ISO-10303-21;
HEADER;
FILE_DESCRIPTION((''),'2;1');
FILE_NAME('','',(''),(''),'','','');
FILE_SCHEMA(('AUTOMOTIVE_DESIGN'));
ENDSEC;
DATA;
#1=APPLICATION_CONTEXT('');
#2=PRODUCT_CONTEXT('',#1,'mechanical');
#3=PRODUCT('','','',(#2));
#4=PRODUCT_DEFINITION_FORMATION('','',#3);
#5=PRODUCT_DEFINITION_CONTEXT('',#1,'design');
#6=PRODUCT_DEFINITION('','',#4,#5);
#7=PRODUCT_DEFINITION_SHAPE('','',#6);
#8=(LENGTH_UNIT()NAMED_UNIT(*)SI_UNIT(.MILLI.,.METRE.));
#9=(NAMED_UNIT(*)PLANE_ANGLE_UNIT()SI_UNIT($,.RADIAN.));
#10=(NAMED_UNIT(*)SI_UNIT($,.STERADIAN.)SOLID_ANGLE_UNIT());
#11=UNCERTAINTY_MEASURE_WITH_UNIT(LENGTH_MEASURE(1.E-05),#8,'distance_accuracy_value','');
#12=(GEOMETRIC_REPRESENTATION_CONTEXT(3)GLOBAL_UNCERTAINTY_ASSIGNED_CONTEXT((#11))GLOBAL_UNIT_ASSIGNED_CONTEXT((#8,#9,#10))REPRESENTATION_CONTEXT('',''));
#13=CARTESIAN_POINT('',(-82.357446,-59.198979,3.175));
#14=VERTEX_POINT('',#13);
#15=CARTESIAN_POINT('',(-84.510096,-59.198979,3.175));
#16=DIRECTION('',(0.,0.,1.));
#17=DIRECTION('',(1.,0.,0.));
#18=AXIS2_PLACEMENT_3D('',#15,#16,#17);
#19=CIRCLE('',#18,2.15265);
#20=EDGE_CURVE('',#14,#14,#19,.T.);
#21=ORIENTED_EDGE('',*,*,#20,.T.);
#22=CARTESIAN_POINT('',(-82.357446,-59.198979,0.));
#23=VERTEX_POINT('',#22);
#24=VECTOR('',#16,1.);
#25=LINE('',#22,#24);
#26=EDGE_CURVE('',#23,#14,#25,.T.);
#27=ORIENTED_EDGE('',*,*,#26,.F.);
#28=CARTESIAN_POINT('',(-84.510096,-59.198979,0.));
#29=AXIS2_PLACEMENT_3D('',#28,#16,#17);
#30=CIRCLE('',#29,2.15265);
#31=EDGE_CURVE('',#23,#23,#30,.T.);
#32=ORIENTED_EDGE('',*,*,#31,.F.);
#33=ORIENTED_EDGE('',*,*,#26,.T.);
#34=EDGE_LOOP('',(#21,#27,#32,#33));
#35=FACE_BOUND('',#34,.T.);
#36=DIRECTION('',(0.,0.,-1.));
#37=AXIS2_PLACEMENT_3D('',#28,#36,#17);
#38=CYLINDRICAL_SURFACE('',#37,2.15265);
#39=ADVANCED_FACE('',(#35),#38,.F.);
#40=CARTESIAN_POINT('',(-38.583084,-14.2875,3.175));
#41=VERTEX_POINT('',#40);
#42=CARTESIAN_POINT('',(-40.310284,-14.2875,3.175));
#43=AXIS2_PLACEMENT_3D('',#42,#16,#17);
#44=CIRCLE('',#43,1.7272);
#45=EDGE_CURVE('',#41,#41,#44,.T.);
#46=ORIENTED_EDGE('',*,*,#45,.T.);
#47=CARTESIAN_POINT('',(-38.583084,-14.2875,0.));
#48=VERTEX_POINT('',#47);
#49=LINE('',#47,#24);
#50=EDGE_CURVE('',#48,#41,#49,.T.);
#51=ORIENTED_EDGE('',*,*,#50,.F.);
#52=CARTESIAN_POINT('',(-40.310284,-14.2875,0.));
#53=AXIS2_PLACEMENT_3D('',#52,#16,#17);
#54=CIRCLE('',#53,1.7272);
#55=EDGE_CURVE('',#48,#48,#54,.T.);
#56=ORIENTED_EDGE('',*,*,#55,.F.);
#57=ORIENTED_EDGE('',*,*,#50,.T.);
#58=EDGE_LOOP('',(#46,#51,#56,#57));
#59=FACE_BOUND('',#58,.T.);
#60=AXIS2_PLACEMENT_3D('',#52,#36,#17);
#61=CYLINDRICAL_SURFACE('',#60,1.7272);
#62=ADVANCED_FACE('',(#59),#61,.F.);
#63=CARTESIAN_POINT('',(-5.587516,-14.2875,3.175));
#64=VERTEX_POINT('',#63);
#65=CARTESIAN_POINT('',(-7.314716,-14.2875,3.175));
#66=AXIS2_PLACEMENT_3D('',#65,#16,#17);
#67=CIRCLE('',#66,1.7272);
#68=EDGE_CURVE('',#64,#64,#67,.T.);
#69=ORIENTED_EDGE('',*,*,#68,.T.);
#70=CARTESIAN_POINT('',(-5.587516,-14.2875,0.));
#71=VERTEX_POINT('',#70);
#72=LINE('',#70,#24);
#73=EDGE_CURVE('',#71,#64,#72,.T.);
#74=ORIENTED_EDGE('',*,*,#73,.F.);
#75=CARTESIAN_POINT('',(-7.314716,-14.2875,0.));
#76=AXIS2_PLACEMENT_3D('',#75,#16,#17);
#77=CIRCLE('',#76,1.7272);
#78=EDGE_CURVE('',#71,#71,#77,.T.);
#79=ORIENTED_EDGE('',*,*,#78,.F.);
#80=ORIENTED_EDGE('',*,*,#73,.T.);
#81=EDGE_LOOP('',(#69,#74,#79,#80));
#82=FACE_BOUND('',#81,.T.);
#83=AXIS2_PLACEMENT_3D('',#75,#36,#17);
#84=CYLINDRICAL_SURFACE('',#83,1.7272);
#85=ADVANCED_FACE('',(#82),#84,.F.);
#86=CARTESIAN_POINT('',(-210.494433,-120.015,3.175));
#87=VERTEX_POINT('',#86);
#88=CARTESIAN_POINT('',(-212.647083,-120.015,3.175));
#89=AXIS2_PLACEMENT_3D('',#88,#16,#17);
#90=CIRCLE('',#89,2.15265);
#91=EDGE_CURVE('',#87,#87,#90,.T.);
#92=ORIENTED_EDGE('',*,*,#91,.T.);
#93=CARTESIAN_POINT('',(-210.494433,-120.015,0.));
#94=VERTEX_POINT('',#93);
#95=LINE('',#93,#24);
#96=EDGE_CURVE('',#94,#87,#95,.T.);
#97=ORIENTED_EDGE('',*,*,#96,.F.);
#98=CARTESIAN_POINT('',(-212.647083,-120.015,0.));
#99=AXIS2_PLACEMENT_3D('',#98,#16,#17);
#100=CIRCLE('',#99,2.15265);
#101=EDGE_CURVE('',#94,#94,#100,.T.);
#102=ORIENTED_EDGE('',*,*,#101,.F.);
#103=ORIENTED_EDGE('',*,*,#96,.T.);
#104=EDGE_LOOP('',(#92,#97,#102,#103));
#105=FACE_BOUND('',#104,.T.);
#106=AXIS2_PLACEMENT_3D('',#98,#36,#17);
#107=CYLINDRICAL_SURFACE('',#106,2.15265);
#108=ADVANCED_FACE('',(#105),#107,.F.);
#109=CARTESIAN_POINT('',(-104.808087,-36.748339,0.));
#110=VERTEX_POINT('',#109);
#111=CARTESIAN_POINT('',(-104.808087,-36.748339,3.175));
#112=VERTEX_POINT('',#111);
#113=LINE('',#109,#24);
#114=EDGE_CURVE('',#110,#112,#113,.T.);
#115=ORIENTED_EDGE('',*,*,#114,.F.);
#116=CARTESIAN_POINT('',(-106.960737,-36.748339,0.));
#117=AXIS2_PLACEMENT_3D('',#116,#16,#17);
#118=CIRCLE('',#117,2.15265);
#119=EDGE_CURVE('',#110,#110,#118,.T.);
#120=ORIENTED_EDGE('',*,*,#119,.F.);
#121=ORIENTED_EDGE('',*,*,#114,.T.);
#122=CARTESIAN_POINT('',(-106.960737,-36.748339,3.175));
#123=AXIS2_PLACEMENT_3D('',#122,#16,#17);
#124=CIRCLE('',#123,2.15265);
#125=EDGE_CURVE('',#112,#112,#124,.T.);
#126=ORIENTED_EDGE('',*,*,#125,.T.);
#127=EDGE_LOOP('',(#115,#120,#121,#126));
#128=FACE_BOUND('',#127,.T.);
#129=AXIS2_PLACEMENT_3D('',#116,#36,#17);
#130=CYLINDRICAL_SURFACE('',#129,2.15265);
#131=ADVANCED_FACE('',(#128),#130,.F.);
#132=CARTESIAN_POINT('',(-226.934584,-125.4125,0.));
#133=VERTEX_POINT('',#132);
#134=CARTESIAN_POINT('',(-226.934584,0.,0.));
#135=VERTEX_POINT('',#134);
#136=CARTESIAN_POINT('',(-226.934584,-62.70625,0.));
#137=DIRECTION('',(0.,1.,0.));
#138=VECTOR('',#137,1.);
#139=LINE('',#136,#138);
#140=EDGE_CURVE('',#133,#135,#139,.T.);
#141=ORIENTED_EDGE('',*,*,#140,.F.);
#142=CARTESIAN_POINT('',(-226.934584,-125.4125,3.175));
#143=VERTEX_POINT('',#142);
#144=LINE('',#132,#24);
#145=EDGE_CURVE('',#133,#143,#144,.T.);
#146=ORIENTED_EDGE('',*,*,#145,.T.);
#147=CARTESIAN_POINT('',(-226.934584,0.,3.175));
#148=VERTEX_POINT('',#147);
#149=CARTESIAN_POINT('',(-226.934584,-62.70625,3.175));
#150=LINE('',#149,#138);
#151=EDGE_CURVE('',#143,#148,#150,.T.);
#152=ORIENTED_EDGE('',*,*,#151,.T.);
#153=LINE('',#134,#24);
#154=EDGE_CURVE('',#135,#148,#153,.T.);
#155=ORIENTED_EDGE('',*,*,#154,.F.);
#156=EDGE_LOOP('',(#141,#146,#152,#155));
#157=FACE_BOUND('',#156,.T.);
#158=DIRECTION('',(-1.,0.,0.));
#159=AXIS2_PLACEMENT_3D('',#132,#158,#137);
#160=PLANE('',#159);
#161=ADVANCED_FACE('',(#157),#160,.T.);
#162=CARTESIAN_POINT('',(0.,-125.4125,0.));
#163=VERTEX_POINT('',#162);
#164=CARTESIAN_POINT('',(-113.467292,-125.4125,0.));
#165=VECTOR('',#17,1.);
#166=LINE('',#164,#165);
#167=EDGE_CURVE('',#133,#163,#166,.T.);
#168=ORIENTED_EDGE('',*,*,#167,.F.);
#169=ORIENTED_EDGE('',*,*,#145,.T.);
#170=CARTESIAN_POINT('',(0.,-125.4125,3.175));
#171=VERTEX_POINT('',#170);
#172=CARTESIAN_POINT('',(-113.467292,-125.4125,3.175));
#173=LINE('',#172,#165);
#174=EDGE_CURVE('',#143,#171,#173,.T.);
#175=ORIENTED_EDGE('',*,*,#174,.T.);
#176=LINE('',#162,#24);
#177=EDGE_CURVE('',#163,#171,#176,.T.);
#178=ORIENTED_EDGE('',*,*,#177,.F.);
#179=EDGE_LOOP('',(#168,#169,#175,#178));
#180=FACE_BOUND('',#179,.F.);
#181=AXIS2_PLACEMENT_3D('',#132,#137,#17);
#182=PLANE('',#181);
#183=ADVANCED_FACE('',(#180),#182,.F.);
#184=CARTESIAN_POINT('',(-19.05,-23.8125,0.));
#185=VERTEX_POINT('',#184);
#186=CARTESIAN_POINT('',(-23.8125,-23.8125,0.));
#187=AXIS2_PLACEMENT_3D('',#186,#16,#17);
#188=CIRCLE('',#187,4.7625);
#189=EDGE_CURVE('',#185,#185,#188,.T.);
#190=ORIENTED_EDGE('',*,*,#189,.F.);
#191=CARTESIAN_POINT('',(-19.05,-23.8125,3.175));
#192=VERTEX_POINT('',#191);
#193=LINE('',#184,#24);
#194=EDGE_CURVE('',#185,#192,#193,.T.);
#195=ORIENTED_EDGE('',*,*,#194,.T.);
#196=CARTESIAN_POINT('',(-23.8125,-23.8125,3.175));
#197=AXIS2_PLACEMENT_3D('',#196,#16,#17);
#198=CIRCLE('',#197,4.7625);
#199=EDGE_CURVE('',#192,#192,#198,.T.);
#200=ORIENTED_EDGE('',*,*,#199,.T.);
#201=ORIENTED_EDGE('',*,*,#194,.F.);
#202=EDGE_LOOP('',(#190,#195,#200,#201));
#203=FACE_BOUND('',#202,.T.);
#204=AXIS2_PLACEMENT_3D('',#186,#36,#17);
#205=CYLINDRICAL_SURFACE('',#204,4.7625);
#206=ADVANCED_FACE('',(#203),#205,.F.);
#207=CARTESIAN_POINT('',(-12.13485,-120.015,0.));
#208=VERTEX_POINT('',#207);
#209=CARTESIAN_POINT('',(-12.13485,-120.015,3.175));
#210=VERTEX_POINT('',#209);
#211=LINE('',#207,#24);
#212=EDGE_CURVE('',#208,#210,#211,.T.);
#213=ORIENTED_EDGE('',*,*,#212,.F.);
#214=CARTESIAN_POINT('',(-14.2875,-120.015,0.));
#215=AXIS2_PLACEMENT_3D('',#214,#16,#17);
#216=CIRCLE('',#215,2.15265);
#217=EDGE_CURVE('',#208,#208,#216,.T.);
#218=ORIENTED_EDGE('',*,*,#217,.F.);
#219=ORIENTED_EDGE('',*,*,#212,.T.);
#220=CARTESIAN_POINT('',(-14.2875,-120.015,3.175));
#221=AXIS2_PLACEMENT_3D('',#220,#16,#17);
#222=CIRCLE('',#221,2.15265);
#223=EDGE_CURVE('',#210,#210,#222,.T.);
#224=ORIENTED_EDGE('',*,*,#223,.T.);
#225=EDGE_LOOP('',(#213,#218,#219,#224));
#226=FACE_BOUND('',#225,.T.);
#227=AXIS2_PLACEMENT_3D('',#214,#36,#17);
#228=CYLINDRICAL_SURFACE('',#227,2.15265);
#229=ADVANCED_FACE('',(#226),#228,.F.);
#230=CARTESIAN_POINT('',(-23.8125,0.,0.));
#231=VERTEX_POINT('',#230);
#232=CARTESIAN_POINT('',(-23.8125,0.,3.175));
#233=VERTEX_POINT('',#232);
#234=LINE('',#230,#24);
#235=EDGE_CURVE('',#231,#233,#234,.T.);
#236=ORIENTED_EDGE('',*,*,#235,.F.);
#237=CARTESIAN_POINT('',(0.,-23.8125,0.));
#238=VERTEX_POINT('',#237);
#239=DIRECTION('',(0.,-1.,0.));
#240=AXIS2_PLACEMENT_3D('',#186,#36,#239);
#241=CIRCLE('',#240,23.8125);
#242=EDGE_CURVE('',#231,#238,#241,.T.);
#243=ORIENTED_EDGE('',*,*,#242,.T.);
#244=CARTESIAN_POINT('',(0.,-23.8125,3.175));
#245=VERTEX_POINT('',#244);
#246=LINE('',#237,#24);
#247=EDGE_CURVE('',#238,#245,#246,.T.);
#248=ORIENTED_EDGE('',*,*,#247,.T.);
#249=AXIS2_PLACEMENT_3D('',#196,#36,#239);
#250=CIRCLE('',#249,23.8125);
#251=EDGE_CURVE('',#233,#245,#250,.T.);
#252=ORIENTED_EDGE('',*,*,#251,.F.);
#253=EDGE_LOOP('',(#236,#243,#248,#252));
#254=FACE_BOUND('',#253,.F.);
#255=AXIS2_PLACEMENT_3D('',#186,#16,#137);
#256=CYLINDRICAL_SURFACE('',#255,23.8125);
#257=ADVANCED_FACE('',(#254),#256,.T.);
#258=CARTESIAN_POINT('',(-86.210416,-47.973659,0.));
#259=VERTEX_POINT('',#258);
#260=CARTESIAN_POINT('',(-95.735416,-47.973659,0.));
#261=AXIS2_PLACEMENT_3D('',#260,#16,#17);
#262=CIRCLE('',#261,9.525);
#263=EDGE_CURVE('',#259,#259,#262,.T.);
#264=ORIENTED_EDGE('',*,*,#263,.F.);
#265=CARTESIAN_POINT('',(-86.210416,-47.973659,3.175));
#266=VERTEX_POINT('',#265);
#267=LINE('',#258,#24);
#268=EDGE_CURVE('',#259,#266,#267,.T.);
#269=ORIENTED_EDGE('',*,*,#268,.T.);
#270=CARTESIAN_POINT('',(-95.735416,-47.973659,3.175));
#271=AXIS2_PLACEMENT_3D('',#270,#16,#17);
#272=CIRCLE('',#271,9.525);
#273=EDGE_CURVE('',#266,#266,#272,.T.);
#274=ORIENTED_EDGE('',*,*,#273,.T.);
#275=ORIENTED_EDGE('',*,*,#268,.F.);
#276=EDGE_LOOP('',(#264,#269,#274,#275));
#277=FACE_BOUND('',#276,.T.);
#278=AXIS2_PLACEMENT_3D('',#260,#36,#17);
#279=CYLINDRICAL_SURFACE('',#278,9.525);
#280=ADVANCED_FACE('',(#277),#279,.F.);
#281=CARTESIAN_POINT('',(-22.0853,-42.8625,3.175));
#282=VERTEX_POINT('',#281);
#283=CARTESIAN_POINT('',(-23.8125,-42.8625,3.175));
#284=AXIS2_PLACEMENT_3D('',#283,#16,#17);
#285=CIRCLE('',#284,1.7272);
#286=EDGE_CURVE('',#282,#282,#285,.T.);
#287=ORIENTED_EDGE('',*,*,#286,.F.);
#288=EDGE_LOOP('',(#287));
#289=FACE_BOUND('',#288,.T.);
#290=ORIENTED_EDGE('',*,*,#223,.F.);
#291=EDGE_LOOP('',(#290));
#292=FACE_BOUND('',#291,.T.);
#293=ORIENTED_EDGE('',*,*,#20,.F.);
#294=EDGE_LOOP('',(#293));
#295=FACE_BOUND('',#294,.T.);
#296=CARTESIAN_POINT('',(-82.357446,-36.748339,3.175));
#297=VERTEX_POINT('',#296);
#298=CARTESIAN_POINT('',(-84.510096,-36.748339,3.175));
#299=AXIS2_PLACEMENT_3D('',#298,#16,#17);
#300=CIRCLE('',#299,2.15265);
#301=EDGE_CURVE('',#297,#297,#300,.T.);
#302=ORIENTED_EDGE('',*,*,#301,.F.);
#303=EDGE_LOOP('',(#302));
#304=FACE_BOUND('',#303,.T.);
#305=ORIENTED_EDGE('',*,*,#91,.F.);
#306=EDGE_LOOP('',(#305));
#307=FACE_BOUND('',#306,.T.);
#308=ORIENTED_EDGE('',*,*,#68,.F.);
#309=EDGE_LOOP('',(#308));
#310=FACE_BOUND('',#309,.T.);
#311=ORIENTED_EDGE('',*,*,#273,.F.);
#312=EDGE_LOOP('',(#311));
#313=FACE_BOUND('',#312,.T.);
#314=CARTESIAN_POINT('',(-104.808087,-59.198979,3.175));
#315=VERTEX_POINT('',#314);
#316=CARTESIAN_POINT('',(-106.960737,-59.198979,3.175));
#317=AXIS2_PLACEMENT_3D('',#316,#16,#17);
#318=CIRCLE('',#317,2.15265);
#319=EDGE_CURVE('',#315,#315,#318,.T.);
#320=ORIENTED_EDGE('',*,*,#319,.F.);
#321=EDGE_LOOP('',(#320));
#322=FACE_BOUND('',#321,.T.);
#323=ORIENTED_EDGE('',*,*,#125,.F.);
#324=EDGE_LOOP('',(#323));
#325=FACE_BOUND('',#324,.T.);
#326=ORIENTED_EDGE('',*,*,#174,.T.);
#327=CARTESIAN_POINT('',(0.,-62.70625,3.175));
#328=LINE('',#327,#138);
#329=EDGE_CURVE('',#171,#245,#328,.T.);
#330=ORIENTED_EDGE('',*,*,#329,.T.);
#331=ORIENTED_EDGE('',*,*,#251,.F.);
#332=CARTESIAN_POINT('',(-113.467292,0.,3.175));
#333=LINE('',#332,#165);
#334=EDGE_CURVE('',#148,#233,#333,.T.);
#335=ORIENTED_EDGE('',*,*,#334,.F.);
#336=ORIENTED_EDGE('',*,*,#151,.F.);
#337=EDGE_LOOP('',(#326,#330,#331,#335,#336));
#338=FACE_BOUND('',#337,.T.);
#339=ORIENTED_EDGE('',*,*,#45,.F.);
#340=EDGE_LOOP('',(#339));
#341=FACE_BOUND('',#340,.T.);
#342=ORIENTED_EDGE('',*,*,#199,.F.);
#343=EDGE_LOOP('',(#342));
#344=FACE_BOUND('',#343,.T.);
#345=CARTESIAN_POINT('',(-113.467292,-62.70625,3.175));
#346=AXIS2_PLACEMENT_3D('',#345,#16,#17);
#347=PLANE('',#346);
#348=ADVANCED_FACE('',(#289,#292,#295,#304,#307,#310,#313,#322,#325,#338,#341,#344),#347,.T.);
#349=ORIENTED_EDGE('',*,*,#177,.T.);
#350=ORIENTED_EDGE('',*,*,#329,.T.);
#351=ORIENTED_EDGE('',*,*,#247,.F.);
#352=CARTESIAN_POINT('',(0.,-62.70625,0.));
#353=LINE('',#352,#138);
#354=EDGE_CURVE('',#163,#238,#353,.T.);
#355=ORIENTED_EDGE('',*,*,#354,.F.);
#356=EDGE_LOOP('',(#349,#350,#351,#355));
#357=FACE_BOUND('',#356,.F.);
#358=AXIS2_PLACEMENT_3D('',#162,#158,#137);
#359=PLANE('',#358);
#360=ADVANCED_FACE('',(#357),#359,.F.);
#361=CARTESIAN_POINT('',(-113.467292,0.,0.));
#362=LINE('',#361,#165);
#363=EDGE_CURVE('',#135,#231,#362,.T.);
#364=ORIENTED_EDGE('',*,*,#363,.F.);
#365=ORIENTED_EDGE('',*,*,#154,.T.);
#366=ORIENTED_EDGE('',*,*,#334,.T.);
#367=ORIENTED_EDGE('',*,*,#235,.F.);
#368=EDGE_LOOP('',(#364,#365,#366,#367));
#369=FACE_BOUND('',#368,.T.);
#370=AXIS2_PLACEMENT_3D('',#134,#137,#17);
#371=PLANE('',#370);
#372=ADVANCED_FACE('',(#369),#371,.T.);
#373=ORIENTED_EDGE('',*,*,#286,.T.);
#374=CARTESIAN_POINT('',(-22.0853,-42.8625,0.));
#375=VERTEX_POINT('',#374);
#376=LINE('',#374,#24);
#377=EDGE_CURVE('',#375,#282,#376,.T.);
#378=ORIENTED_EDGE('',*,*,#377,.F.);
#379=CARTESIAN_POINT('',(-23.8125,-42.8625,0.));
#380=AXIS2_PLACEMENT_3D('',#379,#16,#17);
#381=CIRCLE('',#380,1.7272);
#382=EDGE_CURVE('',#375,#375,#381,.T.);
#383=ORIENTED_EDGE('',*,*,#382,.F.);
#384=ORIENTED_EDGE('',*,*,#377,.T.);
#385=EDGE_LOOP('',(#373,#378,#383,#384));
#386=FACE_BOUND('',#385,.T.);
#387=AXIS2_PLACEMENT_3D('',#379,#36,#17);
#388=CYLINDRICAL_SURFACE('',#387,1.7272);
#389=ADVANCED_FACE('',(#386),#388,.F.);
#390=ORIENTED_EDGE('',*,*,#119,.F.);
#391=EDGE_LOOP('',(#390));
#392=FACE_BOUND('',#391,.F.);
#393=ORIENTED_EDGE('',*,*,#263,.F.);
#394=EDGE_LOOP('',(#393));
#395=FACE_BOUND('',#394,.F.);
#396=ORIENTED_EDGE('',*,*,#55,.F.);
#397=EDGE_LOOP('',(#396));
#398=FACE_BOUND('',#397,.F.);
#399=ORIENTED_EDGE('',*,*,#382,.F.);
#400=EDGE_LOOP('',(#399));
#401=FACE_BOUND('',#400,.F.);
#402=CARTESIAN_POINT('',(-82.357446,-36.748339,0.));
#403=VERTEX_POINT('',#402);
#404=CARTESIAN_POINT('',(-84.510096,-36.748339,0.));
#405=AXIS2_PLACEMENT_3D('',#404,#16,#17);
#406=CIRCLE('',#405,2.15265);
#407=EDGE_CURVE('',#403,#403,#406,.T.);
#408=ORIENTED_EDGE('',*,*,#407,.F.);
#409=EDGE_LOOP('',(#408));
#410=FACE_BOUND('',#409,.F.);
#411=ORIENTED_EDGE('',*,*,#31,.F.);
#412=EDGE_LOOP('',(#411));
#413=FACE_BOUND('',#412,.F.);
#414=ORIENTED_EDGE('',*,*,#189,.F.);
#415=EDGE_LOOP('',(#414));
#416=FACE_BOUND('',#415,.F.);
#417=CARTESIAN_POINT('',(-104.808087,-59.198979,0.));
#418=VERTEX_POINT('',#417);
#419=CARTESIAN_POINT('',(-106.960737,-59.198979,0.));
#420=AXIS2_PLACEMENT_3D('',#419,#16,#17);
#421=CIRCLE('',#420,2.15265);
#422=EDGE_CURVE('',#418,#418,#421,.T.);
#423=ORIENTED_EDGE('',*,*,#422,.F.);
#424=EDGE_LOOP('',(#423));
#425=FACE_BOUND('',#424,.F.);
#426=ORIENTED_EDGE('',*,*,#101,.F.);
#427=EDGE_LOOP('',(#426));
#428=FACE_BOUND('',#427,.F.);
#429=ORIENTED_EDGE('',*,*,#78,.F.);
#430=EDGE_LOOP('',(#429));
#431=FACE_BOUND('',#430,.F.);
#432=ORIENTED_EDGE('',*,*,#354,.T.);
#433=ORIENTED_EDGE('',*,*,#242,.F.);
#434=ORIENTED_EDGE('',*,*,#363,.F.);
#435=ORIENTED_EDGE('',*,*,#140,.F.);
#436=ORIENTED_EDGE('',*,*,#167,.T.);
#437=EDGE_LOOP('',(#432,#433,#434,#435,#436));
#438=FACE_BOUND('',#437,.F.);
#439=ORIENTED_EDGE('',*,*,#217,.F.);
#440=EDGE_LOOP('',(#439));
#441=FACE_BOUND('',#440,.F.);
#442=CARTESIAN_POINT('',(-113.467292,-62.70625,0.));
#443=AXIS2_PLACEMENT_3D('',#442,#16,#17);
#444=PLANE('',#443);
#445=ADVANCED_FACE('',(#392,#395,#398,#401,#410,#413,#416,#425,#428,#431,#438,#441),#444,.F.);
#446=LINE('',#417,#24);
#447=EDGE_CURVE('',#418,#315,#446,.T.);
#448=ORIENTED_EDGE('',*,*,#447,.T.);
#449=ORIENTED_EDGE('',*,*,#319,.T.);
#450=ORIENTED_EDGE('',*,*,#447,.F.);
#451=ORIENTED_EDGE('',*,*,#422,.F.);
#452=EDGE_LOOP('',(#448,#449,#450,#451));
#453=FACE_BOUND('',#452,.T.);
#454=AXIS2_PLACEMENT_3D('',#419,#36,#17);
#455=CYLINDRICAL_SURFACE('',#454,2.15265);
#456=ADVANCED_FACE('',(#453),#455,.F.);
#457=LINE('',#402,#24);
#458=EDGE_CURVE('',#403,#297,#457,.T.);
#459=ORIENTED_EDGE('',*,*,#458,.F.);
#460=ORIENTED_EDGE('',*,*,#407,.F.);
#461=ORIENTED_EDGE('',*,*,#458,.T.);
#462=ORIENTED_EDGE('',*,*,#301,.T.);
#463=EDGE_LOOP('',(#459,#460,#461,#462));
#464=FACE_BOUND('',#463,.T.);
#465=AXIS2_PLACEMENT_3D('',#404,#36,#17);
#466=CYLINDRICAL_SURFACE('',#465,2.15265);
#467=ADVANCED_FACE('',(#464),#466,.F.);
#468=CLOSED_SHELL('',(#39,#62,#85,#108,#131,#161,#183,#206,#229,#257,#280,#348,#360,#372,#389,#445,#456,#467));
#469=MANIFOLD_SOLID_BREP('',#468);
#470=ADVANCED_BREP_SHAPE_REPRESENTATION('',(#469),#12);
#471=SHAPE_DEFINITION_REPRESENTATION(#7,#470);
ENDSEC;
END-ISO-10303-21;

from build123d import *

# Parameters (mm, degrees)
F0_W     = 226.934583
F0_H     = 125.4125
F0_R     = 2.15265
F0_R_2   = 9.525
F0_R_3   = 1.7272
F0_R_4   = 4.7625
F1_DEPTH = 3.175
F2_R     = 23.8125


with BuildPart() as f1:
    # F0 (on Top) → F1 (new body)
    with BuildSketch(Plane.XY):
        with Locations((-113.467292, -62.70625)):
            Rectangle(F0_W, F0_H)
        with Locations((-212.647083, -120.015)):
            Circle(F0_R, mode=Mode.SUBTRACT)
        with Locations((-14.2875, -120.015)):
            Circle(F0_R, mode=Mode.SUBTRACT)
        with Locations((-106.960737, -59.198979)):
            Circle(F0_R, mode=Mode.SUBTRACT)
        with Locations((-95.735416, -47.973659)):
            Circle(F0_R_2, mode=Mode.SUBTRACT)
        with Locations((-84.510096, -59.198979)):
            Circle(F0_R, mode=Mode.SUBTRACT)
        with Locations((-106.960737, -36.748339)):
            Circle(F0_R, mode=Mode.SUBTRACT)
        with Locations((-84.510096, -36.748339)):
            Circle(F0_R, mode=Mode.SUBTRACT)
        with Locations((-23.8125, -42.8625)):
            Circle(F0_R_3, mode=Mode.SUBTRACT)
        with Locations((-23.8125, -23.8125)):
            Circle(F0_R_4, mode=Mode.SUBTRACT)
        with Locations((-40.310284, -14.2875)):
            Circle(F0_R_3, mode=Mode.SUBTRACT)
        with Locations((-7.314716, -14.2875)):
            Circle(F0_R_3, mode=Mode.SUBTRACT)
    extrude(amount=F1_DEPTH)

    # F2
    f2_edges = [f1.edges().sort_by_distance(p)[0] for p in [
        (0, 0, 1.5875),
    ]]
    fillet(f2_edges, radius=F2_R)


solid = f1.part
